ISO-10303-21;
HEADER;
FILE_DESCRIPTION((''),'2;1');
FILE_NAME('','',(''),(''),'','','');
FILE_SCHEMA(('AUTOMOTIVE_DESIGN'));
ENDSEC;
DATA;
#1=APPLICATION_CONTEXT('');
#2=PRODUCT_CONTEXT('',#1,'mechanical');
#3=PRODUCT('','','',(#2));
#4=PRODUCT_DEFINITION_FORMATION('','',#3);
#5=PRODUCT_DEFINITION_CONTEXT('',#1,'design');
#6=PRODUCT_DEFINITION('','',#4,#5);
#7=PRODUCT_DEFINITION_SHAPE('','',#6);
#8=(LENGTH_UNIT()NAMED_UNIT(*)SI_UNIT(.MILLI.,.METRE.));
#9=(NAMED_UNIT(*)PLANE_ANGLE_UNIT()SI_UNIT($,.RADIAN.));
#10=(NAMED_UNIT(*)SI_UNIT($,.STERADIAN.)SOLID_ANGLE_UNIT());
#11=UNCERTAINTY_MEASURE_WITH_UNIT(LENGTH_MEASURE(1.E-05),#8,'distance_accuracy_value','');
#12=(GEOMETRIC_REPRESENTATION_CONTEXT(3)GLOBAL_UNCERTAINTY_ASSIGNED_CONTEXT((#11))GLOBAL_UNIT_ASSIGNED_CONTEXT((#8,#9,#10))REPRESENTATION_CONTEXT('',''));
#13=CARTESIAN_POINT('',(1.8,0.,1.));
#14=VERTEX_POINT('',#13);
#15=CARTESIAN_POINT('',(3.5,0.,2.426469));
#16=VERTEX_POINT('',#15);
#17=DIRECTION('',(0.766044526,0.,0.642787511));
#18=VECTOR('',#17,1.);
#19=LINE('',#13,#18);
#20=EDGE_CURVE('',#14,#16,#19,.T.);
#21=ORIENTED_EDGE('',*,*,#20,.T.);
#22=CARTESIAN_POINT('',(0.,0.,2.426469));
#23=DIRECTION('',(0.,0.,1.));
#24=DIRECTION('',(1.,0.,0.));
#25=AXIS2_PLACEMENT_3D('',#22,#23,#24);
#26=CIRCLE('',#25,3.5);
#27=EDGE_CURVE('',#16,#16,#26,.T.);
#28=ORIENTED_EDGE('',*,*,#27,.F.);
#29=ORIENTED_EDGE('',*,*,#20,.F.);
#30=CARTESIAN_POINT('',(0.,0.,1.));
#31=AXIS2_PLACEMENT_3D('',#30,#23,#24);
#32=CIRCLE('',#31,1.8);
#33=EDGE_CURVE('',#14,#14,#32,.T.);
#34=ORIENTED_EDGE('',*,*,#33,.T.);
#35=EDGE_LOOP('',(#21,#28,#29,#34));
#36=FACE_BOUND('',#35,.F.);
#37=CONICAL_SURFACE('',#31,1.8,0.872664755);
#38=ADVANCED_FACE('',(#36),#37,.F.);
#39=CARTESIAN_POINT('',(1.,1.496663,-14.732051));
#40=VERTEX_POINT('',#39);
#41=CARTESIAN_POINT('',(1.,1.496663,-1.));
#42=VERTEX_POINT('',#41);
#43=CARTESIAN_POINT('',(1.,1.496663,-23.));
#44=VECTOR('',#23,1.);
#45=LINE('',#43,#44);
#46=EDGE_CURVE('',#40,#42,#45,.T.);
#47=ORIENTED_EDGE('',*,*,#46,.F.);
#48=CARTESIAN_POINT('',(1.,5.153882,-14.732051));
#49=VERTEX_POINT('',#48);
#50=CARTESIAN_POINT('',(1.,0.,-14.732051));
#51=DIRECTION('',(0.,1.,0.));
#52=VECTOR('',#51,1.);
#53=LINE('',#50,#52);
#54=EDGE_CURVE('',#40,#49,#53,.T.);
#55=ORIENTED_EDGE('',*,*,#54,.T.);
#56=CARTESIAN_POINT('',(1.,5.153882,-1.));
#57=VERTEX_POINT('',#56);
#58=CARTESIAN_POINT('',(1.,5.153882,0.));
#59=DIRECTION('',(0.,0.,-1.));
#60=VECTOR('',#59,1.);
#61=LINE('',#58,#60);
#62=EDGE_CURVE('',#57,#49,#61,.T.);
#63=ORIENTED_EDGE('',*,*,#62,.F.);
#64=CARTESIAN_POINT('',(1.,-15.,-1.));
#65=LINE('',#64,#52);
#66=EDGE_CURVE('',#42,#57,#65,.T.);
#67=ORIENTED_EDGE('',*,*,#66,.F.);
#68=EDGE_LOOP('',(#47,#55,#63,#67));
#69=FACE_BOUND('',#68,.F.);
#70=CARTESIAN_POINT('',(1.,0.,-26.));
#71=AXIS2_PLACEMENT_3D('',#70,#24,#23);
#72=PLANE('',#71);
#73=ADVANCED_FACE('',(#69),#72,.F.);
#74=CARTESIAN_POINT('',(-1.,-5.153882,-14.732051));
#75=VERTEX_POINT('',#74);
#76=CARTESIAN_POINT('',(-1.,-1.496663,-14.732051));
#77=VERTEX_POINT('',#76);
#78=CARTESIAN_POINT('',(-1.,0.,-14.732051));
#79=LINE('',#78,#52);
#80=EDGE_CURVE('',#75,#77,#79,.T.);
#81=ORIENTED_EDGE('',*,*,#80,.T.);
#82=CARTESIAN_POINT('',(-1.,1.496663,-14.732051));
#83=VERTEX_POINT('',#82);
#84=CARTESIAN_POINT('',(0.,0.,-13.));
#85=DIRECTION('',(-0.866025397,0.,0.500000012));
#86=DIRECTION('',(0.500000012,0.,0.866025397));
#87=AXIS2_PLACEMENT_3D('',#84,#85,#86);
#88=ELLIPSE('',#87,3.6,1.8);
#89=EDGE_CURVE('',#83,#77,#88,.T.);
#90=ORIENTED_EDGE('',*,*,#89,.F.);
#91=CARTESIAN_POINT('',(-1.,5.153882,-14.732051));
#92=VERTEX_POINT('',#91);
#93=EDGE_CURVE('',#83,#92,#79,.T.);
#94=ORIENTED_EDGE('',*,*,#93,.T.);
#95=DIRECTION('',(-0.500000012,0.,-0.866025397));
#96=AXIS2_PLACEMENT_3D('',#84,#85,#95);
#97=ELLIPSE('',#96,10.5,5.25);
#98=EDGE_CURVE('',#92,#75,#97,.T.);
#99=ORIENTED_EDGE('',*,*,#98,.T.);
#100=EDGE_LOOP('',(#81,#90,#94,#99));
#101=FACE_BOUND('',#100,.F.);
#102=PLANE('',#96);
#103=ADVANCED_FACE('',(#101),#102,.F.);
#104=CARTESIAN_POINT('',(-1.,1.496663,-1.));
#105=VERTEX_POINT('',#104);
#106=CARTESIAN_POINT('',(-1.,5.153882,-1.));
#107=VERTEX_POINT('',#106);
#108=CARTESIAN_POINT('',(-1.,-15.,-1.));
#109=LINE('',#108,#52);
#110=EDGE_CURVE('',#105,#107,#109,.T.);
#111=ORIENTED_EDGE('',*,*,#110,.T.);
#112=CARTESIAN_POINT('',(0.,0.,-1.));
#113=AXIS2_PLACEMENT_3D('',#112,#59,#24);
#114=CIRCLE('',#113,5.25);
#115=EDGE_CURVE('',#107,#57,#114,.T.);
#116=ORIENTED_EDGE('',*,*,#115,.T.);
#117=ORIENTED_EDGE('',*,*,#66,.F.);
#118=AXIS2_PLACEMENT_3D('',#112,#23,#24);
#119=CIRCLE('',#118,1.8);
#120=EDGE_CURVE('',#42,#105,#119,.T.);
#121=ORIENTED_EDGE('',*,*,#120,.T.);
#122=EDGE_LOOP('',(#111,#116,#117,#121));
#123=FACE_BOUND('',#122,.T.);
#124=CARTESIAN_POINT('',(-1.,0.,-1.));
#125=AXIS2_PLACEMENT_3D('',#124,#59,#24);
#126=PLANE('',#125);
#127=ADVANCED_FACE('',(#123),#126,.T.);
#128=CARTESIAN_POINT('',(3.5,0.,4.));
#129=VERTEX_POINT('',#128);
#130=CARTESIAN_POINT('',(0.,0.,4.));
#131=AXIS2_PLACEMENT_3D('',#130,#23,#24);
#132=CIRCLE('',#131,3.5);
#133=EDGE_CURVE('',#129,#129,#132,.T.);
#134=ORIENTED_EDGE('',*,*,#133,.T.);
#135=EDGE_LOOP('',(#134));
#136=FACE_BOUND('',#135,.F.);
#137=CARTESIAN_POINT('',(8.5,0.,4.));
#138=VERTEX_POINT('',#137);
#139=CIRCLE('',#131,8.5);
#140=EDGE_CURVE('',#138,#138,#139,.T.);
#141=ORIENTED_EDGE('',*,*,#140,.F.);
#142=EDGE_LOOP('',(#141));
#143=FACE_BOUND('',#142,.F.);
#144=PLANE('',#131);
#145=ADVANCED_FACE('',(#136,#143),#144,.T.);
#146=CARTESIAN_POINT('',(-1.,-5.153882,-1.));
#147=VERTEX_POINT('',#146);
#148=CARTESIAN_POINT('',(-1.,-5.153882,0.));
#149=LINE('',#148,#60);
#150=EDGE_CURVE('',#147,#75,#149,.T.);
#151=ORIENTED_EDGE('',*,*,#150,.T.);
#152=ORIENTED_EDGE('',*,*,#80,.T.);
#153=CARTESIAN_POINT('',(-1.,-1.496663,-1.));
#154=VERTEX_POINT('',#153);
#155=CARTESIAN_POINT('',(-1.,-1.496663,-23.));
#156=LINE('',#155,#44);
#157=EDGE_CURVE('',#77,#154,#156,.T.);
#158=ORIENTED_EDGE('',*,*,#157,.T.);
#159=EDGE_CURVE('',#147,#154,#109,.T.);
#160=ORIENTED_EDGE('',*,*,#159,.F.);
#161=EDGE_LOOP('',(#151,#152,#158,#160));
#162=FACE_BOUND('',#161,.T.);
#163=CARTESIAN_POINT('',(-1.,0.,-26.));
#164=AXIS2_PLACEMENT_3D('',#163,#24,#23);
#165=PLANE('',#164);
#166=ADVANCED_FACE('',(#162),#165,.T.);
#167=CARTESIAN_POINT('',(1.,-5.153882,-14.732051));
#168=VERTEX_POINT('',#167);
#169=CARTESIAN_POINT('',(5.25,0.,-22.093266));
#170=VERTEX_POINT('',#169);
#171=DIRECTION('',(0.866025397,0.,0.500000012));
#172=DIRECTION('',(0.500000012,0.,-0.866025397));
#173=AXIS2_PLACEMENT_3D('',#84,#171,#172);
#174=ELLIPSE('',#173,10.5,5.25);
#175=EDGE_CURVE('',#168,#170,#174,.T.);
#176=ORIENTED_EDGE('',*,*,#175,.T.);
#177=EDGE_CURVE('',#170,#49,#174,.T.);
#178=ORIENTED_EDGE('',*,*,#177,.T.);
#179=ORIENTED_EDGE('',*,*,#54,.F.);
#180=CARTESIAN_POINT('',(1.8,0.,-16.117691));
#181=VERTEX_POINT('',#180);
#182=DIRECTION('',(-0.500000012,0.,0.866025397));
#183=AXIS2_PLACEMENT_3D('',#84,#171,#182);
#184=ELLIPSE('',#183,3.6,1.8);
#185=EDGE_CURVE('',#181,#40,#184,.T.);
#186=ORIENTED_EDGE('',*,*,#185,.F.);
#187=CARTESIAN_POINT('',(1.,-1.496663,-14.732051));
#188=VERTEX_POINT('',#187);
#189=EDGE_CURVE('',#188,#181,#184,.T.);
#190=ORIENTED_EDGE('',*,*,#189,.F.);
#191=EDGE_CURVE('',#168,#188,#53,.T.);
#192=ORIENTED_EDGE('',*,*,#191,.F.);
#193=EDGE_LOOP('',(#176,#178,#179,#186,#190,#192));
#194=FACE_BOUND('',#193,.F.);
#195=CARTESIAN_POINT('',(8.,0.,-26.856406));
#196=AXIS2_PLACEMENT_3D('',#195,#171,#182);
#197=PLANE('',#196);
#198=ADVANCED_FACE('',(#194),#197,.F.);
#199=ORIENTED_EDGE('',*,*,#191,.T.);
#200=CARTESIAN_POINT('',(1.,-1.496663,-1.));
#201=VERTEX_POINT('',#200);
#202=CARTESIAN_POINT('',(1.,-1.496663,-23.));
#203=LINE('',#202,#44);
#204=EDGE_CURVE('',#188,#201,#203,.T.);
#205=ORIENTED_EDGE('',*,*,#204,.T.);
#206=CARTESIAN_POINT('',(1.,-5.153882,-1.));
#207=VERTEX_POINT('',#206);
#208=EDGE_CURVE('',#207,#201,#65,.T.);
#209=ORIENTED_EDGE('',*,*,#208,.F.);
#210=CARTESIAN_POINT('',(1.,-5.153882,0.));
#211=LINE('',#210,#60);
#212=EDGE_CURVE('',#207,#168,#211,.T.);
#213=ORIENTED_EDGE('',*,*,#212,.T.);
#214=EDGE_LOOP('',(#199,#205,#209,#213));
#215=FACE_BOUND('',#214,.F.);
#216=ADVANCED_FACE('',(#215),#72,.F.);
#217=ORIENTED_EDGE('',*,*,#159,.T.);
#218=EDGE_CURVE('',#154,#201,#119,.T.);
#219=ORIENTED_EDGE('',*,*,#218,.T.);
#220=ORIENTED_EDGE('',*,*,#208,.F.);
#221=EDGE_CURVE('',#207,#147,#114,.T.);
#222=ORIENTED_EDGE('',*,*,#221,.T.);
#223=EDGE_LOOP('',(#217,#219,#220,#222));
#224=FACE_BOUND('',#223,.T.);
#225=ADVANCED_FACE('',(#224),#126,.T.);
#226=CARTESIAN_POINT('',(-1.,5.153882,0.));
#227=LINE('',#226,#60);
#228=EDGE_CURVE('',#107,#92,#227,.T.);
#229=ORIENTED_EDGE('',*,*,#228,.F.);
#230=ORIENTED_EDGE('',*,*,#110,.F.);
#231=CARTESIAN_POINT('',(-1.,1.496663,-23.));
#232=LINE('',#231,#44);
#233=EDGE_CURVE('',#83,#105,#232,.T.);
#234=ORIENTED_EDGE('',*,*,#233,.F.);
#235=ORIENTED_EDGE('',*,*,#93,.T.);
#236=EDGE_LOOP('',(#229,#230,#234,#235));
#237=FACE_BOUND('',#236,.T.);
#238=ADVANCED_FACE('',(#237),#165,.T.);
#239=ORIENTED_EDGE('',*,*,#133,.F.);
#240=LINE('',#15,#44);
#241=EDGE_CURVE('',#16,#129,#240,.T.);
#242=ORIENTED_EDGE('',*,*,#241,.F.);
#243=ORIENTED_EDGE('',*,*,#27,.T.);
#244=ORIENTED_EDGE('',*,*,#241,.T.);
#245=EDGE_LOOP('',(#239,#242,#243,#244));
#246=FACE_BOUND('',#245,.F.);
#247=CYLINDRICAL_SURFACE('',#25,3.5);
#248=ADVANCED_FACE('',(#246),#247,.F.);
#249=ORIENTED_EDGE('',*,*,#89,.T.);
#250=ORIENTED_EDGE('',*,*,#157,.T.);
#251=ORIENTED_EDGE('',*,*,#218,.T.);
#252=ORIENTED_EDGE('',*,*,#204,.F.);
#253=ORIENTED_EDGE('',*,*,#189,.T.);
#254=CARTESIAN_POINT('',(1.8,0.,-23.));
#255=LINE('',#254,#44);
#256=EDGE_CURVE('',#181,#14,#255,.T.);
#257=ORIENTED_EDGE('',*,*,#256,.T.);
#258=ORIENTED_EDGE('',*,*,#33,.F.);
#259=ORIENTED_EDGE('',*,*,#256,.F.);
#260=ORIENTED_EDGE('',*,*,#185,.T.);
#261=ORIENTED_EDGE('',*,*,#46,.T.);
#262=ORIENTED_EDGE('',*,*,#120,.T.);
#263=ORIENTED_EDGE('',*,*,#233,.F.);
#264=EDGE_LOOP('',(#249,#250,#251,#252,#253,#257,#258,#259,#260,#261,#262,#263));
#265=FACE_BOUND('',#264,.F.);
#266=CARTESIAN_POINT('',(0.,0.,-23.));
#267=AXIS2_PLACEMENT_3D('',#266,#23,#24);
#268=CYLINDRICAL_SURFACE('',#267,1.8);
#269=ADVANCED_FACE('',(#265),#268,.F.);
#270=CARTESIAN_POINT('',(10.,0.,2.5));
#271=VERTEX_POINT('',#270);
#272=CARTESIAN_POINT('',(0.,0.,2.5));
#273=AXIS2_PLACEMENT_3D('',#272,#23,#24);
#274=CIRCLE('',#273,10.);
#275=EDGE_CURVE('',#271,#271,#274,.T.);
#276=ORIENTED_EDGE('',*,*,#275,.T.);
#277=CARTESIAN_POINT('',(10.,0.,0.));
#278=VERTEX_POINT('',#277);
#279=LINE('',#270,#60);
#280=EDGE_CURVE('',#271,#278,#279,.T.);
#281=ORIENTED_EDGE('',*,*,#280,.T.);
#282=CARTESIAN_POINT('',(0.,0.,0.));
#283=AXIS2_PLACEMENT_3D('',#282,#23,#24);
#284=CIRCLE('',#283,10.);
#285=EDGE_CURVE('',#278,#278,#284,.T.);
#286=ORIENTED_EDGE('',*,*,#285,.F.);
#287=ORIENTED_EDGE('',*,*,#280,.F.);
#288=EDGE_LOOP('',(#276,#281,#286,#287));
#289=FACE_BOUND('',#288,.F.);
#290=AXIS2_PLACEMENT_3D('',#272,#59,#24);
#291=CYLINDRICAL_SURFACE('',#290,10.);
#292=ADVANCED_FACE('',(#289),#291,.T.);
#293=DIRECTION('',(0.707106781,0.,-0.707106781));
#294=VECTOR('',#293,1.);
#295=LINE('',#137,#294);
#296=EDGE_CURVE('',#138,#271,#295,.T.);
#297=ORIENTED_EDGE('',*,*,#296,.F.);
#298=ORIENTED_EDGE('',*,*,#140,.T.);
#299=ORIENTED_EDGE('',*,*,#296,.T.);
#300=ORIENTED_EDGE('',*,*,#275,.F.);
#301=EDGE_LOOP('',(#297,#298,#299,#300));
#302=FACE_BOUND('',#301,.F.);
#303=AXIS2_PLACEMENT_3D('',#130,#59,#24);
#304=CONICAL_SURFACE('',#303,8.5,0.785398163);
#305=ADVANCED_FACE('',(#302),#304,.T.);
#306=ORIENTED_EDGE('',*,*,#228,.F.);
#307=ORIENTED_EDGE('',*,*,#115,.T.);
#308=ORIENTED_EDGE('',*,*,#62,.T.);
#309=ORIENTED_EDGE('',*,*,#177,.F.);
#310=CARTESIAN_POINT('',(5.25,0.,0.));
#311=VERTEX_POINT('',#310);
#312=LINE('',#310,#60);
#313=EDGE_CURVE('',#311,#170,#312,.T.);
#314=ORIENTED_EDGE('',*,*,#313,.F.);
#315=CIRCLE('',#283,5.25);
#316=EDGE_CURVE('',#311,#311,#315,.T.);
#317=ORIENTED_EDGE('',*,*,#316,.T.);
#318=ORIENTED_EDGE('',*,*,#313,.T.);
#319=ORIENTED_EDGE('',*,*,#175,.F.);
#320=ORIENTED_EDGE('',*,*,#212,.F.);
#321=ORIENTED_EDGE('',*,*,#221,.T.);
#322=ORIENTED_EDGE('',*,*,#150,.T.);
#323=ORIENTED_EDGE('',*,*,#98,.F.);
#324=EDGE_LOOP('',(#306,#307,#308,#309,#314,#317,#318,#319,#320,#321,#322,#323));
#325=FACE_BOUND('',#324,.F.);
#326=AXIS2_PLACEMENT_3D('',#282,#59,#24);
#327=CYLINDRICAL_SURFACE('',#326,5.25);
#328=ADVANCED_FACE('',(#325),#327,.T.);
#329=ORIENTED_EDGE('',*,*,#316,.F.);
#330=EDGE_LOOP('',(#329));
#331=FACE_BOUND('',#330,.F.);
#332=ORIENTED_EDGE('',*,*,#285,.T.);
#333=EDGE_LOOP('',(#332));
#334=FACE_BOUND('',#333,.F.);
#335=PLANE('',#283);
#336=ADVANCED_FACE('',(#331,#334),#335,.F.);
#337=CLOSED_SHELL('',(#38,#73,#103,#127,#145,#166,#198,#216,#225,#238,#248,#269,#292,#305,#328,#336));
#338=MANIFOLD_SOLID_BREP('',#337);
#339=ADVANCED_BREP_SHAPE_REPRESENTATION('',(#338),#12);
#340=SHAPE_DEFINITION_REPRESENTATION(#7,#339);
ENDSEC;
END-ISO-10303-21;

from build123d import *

# Parameters (mm, degrees)
SKETCH002_W  = 2
SKETCH002_H  = 25
PAD001_DEPTH = 15
PAD_DEPTH    = 7.5


with BuildPart() as pad001:
    # Sketch002 → Pad001 (new body, symmetric)
    with BuildSketch(Plane.XZ):
        with Locations((0, -13.5)):
            Rectangle(SKETCH002_W, SKETCH002_H)
    extrude(amount=PAD001_DEPTH, both=True)


with BuildPart() as pad:
    # Sketch001 → Pad (new body, symmetric)
    with BuildSketch(Plane.XZ):
        Polygon((8, -26.856406), (0, -13), (-8, -26.856406), align=None)
    extrude(amount=PAD_DEPTH, both=True)


with BuildPart() as cut001:
    # Sketch → Revolution (revolve)
    with BuildSketch(Plane.XZ):
        Polygon((3.5, 4), (8.5, 4), (10, 2.5), (10, 0), (5.25, 0), (5.25, -23), (1.8, -23), (1.8, 1), (3.5, 2.426469), align=None)
    revolve(axis=Axis((0, 0, 0), (0, 0, 1)))

    # Cut: cut Pad
    add(pad.part, mode=Mode.SUBTRACT)

    # Cut001: cut Pad001
    add(pad001.part, mode=Mode.SUBTRACT)


solid = cut001.part
